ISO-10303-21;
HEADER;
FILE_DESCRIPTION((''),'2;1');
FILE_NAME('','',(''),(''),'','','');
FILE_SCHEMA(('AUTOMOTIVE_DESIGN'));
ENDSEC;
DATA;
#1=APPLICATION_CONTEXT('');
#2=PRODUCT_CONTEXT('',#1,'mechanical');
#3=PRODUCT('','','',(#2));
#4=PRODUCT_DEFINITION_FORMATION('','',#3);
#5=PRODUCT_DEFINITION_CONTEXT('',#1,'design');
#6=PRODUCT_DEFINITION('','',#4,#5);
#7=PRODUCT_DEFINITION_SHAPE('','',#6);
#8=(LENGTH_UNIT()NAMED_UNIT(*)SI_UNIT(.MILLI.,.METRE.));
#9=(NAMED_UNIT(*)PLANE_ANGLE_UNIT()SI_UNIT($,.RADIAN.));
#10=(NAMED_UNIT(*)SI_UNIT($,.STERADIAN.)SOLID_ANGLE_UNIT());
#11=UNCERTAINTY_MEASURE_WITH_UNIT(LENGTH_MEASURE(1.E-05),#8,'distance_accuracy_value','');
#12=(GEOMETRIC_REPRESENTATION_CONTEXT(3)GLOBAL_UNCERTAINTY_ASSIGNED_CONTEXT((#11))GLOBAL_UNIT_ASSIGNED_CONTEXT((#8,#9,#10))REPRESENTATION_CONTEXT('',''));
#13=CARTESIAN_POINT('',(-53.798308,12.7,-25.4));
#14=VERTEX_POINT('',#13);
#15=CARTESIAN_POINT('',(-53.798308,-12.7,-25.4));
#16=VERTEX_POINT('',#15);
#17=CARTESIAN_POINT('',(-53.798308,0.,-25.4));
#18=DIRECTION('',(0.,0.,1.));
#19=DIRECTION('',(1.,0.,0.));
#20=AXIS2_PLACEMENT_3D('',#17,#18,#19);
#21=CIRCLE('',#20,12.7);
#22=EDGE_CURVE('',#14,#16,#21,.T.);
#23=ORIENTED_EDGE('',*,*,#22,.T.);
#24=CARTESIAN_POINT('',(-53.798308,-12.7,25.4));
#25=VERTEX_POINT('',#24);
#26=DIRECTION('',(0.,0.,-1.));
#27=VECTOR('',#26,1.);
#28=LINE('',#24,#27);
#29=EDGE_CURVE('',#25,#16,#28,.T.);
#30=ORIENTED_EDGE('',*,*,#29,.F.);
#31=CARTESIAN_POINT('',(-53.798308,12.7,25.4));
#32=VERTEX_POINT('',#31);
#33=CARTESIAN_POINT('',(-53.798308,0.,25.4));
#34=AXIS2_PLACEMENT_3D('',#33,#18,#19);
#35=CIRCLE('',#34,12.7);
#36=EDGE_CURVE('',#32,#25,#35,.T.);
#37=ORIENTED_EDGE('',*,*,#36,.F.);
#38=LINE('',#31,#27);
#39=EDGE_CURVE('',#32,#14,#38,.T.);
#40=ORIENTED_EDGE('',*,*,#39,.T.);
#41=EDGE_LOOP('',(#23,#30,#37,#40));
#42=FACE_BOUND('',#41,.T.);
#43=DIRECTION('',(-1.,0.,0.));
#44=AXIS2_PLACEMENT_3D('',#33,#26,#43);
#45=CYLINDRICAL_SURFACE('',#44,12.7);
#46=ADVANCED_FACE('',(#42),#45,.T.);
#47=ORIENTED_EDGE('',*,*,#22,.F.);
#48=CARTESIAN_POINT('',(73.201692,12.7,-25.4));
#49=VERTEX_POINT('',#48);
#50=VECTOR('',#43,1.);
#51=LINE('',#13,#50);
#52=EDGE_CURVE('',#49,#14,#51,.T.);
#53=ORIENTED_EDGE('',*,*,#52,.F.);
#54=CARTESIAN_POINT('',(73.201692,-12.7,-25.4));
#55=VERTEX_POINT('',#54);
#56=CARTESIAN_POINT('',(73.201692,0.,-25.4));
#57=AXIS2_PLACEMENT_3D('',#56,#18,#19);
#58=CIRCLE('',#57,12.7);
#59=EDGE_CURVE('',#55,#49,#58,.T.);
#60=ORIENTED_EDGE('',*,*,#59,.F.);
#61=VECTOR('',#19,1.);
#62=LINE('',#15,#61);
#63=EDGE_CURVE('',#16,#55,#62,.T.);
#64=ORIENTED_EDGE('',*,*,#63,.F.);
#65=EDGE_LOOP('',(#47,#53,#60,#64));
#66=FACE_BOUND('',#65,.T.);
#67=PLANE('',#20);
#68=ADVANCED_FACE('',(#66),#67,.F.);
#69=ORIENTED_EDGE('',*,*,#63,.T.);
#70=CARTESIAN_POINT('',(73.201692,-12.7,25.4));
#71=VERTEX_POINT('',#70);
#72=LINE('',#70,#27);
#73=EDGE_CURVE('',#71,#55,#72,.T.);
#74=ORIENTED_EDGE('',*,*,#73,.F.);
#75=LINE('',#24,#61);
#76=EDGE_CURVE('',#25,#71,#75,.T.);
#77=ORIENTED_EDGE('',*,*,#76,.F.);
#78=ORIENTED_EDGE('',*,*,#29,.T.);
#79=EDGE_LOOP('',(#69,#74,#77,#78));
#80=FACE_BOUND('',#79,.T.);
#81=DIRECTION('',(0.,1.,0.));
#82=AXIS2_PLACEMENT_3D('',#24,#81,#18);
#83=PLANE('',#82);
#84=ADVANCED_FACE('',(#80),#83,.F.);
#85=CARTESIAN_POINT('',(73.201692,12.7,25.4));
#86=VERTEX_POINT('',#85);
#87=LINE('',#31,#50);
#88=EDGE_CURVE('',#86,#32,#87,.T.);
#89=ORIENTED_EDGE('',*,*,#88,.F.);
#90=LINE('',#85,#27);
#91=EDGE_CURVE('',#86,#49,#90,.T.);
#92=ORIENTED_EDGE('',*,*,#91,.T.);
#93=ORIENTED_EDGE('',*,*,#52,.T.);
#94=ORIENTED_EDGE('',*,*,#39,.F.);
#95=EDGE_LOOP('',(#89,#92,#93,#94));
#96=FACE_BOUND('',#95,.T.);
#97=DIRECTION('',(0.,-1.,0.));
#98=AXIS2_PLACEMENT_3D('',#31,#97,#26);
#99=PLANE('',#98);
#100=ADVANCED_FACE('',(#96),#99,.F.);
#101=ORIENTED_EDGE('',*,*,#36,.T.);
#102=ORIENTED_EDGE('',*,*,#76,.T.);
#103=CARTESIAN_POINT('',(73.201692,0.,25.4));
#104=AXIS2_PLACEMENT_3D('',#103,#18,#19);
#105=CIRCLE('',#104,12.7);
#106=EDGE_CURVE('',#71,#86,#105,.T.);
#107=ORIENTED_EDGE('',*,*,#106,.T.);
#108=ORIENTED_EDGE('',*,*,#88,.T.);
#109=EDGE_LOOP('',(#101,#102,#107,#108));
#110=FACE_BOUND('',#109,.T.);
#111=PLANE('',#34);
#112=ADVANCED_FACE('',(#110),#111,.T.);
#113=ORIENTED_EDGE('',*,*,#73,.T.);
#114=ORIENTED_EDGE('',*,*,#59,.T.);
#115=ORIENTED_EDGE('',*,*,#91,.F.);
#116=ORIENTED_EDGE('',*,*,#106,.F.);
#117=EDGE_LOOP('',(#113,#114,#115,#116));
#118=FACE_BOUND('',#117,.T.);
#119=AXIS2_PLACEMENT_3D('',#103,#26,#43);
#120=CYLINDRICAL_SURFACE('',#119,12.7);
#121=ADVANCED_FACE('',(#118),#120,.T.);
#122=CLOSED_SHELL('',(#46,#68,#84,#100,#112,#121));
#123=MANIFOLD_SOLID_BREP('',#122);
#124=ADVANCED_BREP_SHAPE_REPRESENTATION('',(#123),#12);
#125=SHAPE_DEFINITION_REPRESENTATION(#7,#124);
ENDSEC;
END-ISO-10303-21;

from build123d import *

# Parameters (mm, degrees)
BOSS_EXTRUDE1_DEPTH = 25.4


with BuildPart() as part:
    # Sketch1 → Boss-Extrude1 (new body, symmetric)
    with BuildSketch(Plane.XY):
        with BuildLine():
            Line((-53.798308188, 12.7), (73.201691812, 12.7))
            ThreePointArc((73.201691812, 12.7), (85.901691812, 0), (73.201691812, -12.7))
            Line((73.201691812, -12.7), (-53.798308188, -12.7))
            ThreePointArc((-53.798308188, -12.7), (-66.498308188, 0), (-53.798308188, 12.7))
        make_face()
    extrude(amount=BOSS_EXTRUDE1_DEPTH, both=True)


solid = part.part
